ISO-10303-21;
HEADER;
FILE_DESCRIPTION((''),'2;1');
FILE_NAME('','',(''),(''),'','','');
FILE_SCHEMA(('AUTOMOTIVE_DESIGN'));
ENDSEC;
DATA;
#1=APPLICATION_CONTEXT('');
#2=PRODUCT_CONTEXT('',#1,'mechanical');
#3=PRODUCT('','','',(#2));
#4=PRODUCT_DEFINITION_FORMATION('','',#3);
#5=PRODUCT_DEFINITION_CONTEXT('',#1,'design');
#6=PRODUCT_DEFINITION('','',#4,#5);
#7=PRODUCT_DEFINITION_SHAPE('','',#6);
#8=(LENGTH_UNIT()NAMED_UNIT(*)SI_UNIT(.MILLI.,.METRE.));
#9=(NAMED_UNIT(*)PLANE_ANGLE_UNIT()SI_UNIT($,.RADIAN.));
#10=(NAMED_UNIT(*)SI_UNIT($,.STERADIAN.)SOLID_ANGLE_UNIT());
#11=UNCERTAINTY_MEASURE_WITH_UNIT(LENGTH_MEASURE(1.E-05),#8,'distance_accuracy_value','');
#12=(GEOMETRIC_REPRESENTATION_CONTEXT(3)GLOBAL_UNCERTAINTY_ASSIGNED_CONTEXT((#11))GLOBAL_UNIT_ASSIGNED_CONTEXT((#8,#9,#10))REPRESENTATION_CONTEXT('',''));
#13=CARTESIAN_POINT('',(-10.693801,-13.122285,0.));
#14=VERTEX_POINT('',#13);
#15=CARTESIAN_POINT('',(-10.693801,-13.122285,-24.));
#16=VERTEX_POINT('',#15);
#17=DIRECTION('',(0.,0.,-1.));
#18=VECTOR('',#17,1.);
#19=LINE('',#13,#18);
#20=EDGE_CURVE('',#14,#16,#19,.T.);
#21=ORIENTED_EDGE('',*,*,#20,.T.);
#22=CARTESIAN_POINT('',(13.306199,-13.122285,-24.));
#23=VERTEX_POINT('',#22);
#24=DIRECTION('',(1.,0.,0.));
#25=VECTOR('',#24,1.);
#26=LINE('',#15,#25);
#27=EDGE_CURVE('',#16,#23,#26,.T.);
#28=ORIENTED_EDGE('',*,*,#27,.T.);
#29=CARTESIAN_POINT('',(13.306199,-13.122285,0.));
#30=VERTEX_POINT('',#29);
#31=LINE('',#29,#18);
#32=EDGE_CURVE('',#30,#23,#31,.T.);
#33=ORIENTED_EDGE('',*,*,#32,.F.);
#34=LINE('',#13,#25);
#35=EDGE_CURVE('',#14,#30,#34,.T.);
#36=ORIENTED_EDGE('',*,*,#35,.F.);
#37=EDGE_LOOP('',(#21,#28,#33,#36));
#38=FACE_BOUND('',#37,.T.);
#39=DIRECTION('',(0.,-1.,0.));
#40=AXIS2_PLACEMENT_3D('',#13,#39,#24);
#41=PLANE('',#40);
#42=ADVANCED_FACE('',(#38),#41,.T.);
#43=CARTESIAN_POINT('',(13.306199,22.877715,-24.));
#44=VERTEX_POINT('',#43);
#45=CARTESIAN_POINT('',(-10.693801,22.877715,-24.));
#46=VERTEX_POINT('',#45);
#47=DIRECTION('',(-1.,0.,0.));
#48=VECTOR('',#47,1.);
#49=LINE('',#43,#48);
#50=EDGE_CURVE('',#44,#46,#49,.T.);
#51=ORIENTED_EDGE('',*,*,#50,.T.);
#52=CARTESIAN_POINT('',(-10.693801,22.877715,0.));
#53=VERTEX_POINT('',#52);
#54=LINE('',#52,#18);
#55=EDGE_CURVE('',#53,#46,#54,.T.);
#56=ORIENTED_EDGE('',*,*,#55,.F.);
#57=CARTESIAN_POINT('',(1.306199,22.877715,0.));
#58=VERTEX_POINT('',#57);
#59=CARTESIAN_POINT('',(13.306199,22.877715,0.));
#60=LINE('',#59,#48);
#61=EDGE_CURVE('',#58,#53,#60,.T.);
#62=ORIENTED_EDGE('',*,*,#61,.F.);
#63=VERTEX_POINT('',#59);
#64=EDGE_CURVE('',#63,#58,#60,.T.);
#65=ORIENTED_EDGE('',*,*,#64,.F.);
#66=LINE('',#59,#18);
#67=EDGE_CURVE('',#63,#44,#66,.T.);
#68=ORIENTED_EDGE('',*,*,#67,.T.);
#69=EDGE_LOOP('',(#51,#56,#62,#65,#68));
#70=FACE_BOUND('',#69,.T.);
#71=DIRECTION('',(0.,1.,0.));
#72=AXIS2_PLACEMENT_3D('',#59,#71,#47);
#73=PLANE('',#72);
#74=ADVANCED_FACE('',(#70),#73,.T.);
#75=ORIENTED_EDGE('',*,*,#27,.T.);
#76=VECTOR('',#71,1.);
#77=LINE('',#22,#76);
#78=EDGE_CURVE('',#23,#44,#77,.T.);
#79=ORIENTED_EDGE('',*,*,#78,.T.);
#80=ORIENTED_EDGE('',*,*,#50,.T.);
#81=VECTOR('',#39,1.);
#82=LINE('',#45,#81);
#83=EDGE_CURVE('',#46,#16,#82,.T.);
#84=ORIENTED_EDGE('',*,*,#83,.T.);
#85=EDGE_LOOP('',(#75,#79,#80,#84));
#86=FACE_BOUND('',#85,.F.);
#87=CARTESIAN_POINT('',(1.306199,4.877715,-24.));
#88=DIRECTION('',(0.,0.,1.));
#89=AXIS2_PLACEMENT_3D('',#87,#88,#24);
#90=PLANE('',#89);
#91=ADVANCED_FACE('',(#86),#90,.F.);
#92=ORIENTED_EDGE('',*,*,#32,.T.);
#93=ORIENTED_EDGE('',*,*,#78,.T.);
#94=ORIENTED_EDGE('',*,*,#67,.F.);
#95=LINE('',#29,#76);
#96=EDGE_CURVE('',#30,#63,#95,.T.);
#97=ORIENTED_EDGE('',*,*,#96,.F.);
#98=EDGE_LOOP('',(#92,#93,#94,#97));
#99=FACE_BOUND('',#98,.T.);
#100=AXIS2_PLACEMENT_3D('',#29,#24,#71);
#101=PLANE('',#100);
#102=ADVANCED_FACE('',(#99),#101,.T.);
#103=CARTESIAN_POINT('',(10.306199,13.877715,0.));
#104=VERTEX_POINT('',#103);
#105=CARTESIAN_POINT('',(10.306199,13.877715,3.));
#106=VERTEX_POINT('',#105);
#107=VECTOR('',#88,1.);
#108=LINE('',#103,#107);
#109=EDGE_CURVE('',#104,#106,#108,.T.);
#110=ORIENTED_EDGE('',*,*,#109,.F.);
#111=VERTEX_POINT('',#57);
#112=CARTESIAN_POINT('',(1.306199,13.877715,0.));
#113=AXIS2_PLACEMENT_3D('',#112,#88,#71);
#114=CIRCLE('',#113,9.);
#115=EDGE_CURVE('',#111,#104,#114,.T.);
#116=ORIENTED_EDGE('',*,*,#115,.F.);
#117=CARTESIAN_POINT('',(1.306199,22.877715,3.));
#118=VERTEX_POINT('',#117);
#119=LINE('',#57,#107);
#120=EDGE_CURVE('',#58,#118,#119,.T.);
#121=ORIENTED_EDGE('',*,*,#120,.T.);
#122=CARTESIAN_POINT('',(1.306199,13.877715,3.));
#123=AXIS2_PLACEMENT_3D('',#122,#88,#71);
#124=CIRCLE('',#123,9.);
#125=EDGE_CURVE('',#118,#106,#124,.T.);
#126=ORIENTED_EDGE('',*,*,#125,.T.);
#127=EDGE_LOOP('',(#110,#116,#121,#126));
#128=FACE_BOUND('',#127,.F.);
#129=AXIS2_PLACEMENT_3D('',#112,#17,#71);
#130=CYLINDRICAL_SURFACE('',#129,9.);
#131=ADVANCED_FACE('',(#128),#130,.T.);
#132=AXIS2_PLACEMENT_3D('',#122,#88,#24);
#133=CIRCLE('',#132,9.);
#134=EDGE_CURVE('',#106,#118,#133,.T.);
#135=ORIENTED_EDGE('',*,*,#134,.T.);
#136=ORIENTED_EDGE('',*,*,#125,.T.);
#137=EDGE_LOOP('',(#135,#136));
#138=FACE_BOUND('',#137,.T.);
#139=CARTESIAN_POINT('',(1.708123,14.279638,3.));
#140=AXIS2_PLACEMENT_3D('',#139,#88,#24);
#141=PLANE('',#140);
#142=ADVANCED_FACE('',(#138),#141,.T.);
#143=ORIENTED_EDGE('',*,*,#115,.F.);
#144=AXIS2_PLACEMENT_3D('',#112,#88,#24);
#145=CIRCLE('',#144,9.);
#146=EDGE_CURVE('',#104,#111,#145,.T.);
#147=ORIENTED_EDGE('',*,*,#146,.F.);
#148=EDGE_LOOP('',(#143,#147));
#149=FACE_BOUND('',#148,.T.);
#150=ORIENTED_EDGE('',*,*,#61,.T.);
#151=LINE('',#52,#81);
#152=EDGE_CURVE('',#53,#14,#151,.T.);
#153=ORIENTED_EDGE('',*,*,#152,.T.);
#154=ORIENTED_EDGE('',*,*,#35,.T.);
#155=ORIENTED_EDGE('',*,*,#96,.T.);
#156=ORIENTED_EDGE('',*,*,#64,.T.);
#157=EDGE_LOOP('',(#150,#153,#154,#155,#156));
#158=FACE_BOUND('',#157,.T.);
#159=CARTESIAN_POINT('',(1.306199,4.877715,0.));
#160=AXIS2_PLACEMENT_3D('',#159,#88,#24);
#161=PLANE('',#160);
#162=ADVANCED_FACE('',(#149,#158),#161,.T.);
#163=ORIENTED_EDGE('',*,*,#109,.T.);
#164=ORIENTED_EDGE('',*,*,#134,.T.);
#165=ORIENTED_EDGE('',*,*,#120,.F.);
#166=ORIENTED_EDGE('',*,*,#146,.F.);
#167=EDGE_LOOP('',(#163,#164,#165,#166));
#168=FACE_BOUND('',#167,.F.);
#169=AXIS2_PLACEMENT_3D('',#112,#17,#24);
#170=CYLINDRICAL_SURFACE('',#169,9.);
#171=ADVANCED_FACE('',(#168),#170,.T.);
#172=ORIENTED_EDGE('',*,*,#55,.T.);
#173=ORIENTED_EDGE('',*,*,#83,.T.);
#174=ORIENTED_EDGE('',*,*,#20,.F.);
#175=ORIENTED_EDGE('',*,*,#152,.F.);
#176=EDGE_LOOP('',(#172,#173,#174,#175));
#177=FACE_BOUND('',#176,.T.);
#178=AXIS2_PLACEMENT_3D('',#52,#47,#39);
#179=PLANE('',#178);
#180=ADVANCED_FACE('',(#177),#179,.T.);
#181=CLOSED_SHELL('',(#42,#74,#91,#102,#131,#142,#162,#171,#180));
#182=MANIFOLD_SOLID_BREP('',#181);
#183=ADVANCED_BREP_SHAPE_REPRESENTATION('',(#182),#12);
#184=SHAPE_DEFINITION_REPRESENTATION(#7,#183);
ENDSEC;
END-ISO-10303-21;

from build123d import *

# Parameters (mm, degrees)
F1_DEPTH = 24
F2_DEPTH = 3


with BuildPart() as f1:
    # F0 (on Top) → F1 (new body)
    with BuildSketch(Plane.XY):
        Polygon((1.3061994687, 22.877714643), (-10.6938005313, 22.877714643), (-10.6938005313, -13.122285357), (13.3061994687, -13.122285357), (13.3061994687, 22.877714643), align=None)
        with BuildLine():
            ThreePointArc((10.3061994687, 13.877714643), (-5.057761562, 7.5137536123), (1.3061994687, 22.877714643))
            ThreePointArc((1.3061994687, 22.877714643), (7.6701604994, 20.2416756737), (10.3061994687, 13.877714643))
        make_face(mode=Mode.SUBTRACT)
        with BuildLine():
            ThreePointArc((10.3061994687, 13.877714643), (7.6701604994, 20.2416756737), (1.3061994687, 22.877714643))
            ThreePointArc((1.3061994687, 22.877714643), (-5.057761562, 7.5137536123), (10.3061994687, 13.877714643))
        make_face()
    extrude(amount=-F1_DEPTH)

    # F0 (on Top) → F2 (join)
    with BuildSketch(Plane.XY):
        with BuildLine():
            ThreePointArc((10.3061994687, 13.877714643), (7.6701604994, 20.2416756737), (1.3061994687, 22.877714643))
            ThreePointArc((1.3061994687, 22.877714643), (-5.057761562, 7.5137536123), (10.3061994687, 13.877714643))
        make_face()
    extrude(amount=F2_DEPTH)


solid = f1.part
